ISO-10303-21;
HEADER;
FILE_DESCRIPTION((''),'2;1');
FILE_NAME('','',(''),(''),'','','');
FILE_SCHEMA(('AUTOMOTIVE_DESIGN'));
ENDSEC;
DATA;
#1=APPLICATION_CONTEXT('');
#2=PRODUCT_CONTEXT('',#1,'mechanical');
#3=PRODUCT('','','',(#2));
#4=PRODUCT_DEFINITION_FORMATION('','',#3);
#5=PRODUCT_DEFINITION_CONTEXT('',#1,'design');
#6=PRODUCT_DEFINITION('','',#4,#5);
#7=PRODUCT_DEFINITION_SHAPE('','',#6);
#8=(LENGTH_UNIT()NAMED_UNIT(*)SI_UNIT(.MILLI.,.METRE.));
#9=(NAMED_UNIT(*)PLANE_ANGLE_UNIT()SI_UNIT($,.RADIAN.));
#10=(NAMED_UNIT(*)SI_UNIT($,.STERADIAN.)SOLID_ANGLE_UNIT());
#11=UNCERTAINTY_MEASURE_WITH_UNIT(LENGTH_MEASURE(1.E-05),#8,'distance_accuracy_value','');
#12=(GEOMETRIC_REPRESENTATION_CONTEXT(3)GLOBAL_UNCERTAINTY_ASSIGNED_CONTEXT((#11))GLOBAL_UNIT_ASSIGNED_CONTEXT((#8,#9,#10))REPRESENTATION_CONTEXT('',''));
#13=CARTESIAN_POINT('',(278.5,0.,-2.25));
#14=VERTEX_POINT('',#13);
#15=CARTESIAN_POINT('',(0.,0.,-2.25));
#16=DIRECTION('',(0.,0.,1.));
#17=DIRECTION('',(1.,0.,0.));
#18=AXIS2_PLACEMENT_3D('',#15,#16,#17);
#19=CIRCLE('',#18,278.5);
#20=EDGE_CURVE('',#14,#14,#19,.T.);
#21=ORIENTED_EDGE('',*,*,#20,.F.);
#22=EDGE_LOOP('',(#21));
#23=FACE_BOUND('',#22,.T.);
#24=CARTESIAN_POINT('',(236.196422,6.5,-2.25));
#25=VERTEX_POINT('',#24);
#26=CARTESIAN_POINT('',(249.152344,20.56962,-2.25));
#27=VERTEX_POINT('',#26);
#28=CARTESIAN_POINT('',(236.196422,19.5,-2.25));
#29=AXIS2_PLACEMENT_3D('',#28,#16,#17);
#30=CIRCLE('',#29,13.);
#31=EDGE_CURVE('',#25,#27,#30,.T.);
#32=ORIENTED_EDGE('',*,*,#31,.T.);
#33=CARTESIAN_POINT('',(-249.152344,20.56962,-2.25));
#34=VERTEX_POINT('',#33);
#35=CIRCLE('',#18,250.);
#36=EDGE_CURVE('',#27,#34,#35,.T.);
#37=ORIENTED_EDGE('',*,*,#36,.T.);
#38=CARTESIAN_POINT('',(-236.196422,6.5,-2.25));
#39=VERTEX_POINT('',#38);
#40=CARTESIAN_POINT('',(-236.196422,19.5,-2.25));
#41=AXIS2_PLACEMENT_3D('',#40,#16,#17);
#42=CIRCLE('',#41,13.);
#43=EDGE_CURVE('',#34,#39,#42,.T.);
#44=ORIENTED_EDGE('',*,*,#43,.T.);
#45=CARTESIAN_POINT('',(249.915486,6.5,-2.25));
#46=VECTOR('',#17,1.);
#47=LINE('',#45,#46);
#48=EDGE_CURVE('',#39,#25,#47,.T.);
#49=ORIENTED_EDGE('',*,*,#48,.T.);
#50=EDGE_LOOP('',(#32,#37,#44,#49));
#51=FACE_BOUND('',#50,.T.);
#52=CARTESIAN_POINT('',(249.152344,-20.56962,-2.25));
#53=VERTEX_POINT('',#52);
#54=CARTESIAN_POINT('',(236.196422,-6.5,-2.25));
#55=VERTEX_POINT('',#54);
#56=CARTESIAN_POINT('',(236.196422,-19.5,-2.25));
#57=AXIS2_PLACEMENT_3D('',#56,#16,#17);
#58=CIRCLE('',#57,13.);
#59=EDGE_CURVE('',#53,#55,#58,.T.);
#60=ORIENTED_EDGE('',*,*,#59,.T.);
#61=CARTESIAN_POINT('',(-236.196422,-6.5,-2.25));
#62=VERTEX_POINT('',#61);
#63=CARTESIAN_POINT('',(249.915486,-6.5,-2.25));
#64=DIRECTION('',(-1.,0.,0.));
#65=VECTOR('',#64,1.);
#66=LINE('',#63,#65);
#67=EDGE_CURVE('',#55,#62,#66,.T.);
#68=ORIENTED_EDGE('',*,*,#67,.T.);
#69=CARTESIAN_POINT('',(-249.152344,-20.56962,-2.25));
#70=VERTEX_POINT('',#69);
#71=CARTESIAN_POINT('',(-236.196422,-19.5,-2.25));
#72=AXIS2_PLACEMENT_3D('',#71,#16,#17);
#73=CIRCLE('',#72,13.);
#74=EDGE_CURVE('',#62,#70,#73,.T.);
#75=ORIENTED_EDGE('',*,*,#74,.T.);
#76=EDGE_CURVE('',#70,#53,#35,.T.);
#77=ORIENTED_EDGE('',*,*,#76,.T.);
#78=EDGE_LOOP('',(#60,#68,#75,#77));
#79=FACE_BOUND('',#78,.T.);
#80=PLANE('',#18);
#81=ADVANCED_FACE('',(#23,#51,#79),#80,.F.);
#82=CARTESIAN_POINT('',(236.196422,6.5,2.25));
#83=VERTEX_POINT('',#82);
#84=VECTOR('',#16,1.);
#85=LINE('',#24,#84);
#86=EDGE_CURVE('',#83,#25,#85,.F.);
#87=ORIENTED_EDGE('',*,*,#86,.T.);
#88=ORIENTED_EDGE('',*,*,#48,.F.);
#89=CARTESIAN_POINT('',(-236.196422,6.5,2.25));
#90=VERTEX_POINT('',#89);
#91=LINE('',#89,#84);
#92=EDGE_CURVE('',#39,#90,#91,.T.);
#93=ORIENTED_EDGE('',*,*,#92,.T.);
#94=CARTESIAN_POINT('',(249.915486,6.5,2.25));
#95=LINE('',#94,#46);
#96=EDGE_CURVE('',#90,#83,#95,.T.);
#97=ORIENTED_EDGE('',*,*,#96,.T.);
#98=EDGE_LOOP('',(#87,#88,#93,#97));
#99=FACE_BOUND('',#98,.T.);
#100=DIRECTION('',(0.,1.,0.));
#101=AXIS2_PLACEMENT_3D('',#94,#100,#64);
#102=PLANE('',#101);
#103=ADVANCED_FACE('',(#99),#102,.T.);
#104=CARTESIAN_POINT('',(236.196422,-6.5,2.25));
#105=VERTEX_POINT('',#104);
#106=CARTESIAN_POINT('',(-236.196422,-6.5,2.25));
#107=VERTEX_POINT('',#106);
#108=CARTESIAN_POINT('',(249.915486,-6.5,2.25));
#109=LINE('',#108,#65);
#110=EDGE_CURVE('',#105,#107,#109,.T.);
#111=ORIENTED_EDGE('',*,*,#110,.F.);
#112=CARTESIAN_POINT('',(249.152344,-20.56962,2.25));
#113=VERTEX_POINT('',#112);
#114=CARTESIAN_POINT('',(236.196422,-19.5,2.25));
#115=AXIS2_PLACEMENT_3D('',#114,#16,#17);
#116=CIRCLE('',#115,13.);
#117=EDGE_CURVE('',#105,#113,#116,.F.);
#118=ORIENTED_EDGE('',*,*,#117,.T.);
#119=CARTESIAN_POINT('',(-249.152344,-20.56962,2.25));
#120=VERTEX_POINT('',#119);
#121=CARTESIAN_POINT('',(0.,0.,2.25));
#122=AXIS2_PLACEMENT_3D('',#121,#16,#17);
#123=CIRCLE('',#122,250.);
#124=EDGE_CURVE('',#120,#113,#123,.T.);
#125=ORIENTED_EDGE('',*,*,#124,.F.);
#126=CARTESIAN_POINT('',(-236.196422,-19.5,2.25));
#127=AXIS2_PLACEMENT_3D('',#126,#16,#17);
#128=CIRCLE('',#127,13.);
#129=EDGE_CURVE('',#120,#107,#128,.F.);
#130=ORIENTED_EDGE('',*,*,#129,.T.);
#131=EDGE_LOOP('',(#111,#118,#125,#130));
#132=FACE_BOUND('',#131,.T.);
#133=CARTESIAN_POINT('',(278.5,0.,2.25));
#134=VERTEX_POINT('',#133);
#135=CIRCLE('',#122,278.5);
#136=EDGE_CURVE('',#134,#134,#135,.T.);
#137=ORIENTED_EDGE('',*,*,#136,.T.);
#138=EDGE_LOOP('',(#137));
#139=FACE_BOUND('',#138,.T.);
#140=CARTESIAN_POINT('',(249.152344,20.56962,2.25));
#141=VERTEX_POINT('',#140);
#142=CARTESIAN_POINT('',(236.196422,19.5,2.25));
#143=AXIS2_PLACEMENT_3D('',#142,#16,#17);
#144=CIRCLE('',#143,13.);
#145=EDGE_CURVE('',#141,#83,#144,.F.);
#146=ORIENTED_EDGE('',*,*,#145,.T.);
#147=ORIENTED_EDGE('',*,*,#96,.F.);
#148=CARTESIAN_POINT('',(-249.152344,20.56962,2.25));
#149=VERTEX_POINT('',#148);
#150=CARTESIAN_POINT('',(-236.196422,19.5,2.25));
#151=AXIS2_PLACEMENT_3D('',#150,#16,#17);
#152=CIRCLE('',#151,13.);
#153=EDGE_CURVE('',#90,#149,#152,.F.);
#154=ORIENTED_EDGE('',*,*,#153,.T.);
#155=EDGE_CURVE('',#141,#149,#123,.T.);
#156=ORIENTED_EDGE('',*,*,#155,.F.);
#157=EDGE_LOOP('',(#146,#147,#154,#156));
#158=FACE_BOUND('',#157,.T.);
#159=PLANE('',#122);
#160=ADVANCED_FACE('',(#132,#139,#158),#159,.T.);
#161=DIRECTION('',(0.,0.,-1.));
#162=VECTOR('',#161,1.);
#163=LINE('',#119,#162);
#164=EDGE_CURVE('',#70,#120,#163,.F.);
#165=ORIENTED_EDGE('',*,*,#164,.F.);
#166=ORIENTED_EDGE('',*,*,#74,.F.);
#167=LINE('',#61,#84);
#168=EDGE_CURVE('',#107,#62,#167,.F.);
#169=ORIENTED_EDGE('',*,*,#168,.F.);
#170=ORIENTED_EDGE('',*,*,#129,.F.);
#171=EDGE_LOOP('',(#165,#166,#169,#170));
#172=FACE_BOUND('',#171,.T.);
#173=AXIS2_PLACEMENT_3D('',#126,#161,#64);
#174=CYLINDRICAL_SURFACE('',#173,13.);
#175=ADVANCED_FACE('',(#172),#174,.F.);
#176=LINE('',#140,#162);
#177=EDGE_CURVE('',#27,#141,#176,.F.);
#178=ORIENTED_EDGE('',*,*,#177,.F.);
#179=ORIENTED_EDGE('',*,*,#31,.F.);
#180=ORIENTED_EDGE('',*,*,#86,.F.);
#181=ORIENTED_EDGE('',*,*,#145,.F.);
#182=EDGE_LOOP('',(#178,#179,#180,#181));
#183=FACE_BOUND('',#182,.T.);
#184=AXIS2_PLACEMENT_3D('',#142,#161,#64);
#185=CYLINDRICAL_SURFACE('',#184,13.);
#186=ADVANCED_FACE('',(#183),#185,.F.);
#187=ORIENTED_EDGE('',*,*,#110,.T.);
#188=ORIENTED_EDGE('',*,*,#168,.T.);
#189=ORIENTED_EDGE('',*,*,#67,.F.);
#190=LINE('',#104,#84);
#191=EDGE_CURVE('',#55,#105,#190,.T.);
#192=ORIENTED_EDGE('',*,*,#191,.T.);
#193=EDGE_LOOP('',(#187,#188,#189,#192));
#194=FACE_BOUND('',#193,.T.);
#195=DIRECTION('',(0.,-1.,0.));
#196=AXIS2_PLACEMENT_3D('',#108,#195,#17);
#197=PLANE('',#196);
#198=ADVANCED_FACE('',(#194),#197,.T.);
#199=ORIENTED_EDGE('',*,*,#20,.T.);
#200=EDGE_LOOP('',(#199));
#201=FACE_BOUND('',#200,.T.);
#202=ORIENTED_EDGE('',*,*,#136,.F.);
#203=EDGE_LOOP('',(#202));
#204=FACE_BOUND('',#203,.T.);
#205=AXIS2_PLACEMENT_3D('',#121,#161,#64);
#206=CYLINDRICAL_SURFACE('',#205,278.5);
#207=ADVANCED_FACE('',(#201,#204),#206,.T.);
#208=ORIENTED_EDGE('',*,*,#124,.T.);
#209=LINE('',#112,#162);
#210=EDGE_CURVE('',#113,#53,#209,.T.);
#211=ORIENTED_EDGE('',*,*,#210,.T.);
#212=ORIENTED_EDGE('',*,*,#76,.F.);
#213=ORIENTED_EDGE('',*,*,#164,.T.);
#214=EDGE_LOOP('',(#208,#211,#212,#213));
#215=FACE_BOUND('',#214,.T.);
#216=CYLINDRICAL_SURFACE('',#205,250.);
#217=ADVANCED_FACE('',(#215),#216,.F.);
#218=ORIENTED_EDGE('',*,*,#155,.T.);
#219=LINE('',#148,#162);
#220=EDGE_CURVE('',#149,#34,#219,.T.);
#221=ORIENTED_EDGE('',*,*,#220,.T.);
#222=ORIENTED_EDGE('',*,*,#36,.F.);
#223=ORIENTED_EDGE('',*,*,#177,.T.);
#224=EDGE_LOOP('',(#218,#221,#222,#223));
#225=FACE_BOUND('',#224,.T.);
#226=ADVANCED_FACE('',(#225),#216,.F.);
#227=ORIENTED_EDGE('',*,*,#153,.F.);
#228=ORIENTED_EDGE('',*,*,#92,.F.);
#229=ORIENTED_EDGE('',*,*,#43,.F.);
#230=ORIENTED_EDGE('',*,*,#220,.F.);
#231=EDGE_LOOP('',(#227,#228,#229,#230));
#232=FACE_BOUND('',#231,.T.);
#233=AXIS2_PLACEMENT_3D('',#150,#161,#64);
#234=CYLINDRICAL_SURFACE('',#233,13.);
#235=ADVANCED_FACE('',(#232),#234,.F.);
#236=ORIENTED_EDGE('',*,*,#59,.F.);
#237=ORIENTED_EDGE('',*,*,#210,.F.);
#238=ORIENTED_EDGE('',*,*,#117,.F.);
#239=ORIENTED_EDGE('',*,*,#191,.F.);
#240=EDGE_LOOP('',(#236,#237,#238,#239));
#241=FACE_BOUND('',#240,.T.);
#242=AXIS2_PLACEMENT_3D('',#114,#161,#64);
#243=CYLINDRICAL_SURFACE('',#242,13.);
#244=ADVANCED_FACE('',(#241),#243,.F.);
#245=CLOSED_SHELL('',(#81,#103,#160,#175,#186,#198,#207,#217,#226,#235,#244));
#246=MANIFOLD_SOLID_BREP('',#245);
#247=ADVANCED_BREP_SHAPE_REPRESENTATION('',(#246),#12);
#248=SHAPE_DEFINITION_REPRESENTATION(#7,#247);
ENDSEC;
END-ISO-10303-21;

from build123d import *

# Parameters (mm, degrees)
SKETCH1_R           = 278.5
BOSS_EXTRUDE1_DEPTH = 2.25
FILLET1_R           = 13


with BuildPart() as part:
    # Sketch1 → Boss-Extrude1 (new body, symmetric)
    with BuildSketch(Plane.XY):
        Circle(SKETCH1_R)
        with BuildLine():
            Line((249.915485715, -6.5), (-249.915485715, -6.5))
            ThreePointArc((-249.915485715, -6.5), (0, -250), (249.915485715, -6.5))
        make_face(mode=Mode.SUBTRACT)
        with BuildLine():
            Line((249.915485715, 6.5), (-249.915485715, 6.5))
            ThreePointArc((-249.915485715, 6.5), (0, 250), (249.915485715, 6.5))
        make_face(mode=Mode.SUBTRACT)
    extrude(amount=BOSS_EXTRUDE1_DEPTH, both=True)

    # Fillet1
    fillet1_edges = [part.edges().sort_by_distance(p)[0] for p in [
        (-249.915485715, -6.5, 0),
        (249.915485715, -6.5, 0),
        (249.915485715, 6.5, 0),
        (-249.915485715, 6.5, 0),
    ]]
    fillet(fillet1_edges, radius=FILLET1_R)


solid = part.part
